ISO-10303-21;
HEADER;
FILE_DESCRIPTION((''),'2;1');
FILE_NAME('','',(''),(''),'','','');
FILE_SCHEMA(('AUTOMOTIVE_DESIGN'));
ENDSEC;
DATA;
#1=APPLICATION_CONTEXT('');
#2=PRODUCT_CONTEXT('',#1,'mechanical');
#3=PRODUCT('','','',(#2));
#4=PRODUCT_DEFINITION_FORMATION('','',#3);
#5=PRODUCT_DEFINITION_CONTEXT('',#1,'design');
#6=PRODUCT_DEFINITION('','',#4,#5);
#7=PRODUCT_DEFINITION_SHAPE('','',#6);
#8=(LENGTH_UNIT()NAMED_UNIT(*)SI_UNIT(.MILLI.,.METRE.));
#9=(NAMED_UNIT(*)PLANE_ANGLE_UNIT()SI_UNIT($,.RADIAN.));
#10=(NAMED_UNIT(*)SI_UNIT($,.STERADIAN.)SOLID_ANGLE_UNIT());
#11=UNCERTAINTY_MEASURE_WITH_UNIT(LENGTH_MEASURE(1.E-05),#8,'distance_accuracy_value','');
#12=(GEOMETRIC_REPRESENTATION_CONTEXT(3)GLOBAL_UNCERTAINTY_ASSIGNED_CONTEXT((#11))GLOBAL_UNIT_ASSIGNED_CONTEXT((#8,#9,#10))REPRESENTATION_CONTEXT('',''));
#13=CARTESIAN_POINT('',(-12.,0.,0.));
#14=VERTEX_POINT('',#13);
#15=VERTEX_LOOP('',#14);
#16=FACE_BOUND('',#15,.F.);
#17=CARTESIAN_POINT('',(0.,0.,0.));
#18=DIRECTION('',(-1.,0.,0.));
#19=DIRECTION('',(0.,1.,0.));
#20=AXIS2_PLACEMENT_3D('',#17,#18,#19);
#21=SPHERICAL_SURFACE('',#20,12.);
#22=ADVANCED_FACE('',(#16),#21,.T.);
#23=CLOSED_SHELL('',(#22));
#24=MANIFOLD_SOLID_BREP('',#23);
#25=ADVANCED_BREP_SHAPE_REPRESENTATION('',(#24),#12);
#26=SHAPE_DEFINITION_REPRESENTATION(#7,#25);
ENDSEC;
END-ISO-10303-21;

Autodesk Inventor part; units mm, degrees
ref_plane "YZ Plane" through (0, 0, 0) normal (1, 0, 0) x (0, 1, 0)
ref_plane "XZ Plane" through (0, 0, 0) normal (0, 1, 0) x (-1, 0, 0)
ref_plane "XY Plane" through (0, 0, 0) normal (0, 0, 1) x (1, 0, 0)
sketch "Sketch1" plane through (0, 0, 0) normal (0, 0, 1) x (1, 0, 0)
  arc A0 (12, 0) -> (-12, 0) centre (0, 0) ccw
  line L0 (-12, 0) -> (12, 0)
  line L1 (-16.8, 0) -> (16.8, 0) projected
  dimension "d0" = 24
revolve "Revolution1" add sketch "Sketch1" angle 360 about axis through (-10, 0, 0) along (1, 0, 0)
properties part number "Ball"
